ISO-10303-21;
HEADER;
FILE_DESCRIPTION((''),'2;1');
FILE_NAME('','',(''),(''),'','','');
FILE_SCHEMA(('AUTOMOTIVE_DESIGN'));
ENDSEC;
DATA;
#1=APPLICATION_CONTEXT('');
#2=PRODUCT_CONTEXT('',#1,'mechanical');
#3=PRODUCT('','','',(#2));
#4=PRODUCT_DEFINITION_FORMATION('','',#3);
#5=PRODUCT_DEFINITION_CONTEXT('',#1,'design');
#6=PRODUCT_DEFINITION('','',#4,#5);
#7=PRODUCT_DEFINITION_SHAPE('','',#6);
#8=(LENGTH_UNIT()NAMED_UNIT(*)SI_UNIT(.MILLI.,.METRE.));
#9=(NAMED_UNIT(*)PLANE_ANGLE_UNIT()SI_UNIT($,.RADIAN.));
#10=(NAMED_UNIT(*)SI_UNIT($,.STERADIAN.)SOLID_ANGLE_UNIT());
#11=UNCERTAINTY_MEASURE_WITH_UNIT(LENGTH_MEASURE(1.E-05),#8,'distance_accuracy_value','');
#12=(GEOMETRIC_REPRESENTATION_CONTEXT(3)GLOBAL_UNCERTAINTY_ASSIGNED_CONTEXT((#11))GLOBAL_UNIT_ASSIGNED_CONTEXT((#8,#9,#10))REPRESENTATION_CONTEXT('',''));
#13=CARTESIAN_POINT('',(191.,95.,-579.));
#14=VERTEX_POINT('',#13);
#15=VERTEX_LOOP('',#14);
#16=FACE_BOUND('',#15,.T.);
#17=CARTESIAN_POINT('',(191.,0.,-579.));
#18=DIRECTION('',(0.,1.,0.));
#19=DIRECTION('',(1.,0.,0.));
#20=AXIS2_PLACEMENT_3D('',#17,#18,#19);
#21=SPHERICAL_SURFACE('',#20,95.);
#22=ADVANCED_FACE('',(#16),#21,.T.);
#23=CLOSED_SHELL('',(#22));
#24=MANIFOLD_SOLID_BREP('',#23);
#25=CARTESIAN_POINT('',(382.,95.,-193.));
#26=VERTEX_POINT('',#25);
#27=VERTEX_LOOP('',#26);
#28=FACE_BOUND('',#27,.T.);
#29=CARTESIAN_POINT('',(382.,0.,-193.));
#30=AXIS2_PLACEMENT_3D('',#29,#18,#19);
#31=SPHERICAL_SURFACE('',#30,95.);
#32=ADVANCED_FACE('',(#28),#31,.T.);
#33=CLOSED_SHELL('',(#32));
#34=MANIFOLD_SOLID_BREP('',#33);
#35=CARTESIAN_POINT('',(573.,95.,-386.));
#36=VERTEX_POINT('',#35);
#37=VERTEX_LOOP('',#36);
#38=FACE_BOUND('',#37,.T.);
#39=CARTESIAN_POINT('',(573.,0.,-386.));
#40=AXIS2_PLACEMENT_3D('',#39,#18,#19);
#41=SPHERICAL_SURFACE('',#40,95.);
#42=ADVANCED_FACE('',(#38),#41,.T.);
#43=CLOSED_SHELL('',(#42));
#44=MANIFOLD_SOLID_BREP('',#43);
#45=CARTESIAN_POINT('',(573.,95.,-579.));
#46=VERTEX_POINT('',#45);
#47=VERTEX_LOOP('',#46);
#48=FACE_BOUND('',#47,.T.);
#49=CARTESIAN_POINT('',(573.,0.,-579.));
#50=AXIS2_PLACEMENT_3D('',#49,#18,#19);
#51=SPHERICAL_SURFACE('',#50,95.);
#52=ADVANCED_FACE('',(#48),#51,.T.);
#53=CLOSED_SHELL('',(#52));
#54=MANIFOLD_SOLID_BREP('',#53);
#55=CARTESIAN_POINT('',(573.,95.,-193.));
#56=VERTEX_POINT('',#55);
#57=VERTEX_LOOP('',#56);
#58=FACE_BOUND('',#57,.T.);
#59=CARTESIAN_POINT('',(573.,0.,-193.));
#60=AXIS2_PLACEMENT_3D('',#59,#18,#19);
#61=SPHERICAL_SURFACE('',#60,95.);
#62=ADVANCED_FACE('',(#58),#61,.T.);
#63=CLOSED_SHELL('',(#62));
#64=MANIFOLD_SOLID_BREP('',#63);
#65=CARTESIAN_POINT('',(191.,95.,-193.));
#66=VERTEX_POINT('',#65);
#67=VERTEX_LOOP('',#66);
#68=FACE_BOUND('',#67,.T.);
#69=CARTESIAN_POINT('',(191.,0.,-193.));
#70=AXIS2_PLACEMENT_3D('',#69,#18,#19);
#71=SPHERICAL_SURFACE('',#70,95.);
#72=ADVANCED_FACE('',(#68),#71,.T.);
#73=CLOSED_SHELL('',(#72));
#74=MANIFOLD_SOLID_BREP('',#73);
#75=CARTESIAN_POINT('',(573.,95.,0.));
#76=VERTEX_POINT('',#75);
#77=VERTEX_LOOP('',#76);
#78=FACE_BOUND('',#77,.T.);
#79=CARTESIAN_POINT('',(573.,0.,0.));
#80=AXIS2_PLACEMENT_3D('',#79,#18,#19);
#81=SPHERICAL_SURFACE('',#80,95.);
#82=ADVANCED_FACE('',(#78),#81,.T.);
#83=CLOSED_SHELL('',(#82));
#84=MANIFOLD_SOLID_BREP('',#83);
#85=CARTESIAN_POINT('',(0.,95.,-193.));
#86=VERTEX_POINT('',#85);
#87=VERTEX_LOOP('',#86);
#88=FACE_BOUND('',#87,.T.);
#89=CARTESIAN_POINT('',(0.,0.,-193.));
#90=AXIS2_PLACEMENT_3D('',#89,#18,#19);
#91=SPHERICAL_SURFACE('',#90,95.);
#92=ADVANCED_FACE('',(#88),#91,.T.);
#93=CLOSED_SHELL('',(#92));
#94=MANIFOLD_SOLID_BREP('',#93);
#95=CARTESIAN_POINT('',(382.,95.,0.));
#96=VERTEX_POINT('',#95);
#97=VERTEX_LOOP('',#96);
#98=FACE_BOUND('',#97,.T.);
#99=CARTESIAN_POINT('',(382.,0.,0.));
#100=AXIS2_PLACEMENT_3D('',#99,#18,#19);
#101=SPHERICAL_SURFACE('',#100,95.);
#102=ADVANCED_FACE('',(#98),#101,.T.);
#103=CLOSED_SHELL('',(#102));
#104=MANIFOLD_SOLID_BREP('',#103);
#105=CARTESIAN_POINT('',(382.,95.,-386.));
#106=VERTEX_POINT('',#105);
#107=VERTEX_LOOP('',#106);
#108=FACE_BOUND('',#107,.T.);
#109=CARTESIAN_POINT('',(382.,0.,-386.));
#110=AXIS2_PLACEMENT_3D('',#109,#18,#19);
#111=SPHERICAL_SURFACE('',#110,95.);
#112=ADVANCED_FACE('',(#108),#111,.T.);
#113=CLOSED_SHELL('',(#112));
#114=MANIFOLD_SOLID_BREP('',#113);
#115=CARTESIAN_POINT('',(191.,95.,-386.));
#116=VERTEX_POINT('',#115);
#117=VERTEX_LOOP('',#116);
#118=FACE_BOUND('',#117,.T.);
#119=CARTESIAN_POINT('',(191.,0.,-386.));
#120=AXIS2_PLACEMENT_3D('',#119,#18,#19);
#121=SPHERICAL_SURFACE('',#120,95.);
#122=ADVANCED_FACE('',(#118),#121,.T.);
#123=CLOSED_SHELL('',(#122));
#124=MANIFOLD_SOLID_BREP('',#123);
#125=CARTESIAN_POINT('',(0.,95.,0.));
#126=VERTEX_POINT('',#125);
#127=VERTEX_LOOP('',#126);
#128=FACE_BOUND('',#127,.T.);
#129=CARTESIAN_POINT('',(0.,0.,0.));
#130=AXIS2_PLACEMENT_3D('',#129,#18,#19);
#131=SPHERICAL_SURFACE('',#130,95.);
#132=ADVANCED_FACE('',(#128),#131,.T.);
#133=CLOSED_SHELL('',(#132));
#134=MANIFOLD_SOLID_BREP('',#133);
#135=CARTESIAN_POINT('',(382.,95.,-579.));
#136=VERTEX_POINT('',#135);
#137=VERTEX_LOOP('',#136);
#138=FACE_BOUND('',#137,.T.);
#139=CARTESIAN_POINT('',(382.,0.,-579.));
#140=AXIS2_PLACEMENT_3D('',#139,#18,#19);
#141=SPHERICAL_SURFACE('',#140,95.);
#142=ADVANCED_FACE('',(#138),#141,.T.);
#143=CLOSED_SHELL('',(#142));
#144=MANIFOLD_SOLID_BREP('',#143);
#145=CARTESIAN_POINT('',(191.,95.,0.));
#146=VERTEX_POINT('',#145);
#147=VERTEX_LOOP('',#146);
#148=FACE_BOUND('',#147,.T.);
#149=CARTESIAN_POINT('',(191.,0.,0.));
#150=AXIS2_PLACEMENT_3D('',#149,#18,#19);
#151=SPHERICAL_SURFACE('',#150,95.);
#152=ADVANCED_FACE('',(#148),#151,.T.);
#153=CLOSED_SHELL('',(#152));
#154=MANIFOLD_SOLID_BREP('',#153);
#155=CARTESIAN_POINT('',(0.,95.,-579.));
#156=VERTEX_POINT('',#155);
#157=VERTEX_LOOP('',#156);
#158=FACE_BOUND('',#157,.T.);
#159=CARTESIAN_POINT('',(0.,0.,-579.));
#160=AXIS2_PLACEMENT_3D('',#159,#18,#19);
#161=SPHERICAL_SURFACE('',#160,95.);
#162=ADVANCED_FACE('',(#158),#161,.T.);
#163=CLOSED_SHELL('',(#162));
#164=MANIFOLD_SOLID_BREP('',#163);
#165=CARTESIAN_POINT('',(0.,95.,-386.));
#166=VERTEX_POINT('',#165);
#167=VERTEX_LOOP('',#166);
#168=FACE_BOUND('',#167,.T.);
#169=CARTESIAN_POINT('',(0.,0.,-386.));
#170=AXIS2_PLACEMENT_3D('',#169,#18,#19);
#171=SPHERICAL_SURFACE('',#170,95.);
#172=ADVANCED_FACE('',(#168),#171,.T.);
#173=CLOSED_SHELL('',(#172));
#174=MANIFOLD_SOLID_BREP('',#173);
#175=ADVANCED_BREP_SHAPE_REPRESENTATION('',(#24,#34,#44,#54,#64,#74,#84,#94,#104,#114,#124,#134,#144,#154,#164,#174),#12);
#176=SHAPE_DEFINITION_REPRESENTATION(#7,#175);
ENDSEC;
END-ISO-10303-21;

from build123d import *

# Parameters (mm, degrees)
LPATTERN6_COUNT = 4
LPATTERN6_PITCH = 193
LPATTERN7_COUNT = 4
LPATTERN7_PITCH = 191


with BuildPart() as part:
    # Sketch1 → Revolve1 (revolve)
    with BuildSketch(Plane.XY):
        with BuildLine():
            Line((0, 95), (0, -95))
            ThreePointArc((0, -95), (-95, 0), (0, 95))
        make_face()
    revolve(axis=Axis((0, 95, 0), (0, -1, 0)))


with BuildPart() as lpattern6_1:
    # LPattern6: pattern copy
    add(part.part.moved(Location(Vector(0, 0, -1) * (1 * LPATTERN6_PITCH))))


with BuildPart() as lpattern6_2:
    # LPattern6: pattern copy
    add(part.part.moved(Location(Vector(0, 0, -1) * (2 * LPATTERN6_PITCH))))


with BuildPart() as lpattern6_3:
    # LPattern6: pattern copy
    add(part.part.moved(Location(Vector(0, 0, -1) * (3 * LPATTERN6_PITCH))))


with BuildPart() as lpattern7_1:
    # LPattern7: pattern copy
    add(part.part.moved(Location(Vector(1, 0, 0) * (1 * LPATTERN7_PITCH))))


with BuildPart() as lpattern7_2:
    # LPattern7: pattern copy
    add(part.part.moved(Location(Vector(1, 0, 0) * (2 * LPATTERN7_PITCH))))


with BuildPart() as lpattern7_3:
    # LPattern7: pattern copy
    add(part.part.moved(Location(Vector(1, 0, 0) * (3 * LPATTERN7_PITCH))))


with BuildPart() as lpattern7_4:
    # LPattern7: pattern copy
    add(lpattern6_1.part.moved(Location(Vector(1, 0, 0) * (1 * LPATTERN7_PITCH))))


with BuildPart() as lpattern7_5:
    # LPattern7: pattern copy
    add(lpattern6_1.part.moved(Location(Vector(1, 0, 0) * (2 * LPATTERN7_PITCH))))


with BuildPart() as lpattern7_6:
    # LPattern7: pattern copy
    add(lpattern6_1.part.moved(Location(Vector(1, 0, 0) * (3 * LPATTERN7_PITCH))))


with BuildPart() as lpattern7_7:
    # LPattern7: pattern copy
    add(lpattern6_2.part.moved(Location(Vector(1, 0, 0) * (1 * LPATTERN7_PITCH))))


with BuildPart() as lpattern7_8:
    # LPattern7: pattern copy
    add(lpattern6_2.part.moved(Location(Vector(1, 0, 0) * (2 * LPATTERN7_PITCH))))


with BuildPart() as lpattern7_9:
    # LPattern7: pattern copy
    add(lpattern6_2.part.moved(Location(Vector(1, 0, 0) * (3 * LPATTERN7_PITCH))))


with BuildPart() as lpattern7_10:
    # LPattern7: pattern copy
    add(lpattern6_3.part.moved(Location(Vector(1, 0, 0) * (1 * LPATTERN7_PITCH))))


with BuildPart() as lpattern7_11:
    # LPattern7: pattern copy
    add(lpattern6_3.part.moved(Location(Vector(1, 0, 0) * (2 * LPATTERN7_PITCH))))


with BuildPart() as lpattern7_12:
    # LPattern7: pattern copy
    add(lpattern6_3.part.moved(Location(Vector(1, 0, 0) * (3 * LPATTERN7_PITCH))))


solid = Compound([part.part, lpattern6_1.part, lpattern6_2.part, lpattern6_3.part, lpattern7_1.part, lpattern7_2.part, lpattern7_3.part, lpattern7_4.part, lpattern7_5.part, lpattern7_6.part, lpattern7_7.part, lpattern7_8.part, lpattern7_9.part, lpattern7_10.part, lpattern7_11.part, lpattern7_12.part])
